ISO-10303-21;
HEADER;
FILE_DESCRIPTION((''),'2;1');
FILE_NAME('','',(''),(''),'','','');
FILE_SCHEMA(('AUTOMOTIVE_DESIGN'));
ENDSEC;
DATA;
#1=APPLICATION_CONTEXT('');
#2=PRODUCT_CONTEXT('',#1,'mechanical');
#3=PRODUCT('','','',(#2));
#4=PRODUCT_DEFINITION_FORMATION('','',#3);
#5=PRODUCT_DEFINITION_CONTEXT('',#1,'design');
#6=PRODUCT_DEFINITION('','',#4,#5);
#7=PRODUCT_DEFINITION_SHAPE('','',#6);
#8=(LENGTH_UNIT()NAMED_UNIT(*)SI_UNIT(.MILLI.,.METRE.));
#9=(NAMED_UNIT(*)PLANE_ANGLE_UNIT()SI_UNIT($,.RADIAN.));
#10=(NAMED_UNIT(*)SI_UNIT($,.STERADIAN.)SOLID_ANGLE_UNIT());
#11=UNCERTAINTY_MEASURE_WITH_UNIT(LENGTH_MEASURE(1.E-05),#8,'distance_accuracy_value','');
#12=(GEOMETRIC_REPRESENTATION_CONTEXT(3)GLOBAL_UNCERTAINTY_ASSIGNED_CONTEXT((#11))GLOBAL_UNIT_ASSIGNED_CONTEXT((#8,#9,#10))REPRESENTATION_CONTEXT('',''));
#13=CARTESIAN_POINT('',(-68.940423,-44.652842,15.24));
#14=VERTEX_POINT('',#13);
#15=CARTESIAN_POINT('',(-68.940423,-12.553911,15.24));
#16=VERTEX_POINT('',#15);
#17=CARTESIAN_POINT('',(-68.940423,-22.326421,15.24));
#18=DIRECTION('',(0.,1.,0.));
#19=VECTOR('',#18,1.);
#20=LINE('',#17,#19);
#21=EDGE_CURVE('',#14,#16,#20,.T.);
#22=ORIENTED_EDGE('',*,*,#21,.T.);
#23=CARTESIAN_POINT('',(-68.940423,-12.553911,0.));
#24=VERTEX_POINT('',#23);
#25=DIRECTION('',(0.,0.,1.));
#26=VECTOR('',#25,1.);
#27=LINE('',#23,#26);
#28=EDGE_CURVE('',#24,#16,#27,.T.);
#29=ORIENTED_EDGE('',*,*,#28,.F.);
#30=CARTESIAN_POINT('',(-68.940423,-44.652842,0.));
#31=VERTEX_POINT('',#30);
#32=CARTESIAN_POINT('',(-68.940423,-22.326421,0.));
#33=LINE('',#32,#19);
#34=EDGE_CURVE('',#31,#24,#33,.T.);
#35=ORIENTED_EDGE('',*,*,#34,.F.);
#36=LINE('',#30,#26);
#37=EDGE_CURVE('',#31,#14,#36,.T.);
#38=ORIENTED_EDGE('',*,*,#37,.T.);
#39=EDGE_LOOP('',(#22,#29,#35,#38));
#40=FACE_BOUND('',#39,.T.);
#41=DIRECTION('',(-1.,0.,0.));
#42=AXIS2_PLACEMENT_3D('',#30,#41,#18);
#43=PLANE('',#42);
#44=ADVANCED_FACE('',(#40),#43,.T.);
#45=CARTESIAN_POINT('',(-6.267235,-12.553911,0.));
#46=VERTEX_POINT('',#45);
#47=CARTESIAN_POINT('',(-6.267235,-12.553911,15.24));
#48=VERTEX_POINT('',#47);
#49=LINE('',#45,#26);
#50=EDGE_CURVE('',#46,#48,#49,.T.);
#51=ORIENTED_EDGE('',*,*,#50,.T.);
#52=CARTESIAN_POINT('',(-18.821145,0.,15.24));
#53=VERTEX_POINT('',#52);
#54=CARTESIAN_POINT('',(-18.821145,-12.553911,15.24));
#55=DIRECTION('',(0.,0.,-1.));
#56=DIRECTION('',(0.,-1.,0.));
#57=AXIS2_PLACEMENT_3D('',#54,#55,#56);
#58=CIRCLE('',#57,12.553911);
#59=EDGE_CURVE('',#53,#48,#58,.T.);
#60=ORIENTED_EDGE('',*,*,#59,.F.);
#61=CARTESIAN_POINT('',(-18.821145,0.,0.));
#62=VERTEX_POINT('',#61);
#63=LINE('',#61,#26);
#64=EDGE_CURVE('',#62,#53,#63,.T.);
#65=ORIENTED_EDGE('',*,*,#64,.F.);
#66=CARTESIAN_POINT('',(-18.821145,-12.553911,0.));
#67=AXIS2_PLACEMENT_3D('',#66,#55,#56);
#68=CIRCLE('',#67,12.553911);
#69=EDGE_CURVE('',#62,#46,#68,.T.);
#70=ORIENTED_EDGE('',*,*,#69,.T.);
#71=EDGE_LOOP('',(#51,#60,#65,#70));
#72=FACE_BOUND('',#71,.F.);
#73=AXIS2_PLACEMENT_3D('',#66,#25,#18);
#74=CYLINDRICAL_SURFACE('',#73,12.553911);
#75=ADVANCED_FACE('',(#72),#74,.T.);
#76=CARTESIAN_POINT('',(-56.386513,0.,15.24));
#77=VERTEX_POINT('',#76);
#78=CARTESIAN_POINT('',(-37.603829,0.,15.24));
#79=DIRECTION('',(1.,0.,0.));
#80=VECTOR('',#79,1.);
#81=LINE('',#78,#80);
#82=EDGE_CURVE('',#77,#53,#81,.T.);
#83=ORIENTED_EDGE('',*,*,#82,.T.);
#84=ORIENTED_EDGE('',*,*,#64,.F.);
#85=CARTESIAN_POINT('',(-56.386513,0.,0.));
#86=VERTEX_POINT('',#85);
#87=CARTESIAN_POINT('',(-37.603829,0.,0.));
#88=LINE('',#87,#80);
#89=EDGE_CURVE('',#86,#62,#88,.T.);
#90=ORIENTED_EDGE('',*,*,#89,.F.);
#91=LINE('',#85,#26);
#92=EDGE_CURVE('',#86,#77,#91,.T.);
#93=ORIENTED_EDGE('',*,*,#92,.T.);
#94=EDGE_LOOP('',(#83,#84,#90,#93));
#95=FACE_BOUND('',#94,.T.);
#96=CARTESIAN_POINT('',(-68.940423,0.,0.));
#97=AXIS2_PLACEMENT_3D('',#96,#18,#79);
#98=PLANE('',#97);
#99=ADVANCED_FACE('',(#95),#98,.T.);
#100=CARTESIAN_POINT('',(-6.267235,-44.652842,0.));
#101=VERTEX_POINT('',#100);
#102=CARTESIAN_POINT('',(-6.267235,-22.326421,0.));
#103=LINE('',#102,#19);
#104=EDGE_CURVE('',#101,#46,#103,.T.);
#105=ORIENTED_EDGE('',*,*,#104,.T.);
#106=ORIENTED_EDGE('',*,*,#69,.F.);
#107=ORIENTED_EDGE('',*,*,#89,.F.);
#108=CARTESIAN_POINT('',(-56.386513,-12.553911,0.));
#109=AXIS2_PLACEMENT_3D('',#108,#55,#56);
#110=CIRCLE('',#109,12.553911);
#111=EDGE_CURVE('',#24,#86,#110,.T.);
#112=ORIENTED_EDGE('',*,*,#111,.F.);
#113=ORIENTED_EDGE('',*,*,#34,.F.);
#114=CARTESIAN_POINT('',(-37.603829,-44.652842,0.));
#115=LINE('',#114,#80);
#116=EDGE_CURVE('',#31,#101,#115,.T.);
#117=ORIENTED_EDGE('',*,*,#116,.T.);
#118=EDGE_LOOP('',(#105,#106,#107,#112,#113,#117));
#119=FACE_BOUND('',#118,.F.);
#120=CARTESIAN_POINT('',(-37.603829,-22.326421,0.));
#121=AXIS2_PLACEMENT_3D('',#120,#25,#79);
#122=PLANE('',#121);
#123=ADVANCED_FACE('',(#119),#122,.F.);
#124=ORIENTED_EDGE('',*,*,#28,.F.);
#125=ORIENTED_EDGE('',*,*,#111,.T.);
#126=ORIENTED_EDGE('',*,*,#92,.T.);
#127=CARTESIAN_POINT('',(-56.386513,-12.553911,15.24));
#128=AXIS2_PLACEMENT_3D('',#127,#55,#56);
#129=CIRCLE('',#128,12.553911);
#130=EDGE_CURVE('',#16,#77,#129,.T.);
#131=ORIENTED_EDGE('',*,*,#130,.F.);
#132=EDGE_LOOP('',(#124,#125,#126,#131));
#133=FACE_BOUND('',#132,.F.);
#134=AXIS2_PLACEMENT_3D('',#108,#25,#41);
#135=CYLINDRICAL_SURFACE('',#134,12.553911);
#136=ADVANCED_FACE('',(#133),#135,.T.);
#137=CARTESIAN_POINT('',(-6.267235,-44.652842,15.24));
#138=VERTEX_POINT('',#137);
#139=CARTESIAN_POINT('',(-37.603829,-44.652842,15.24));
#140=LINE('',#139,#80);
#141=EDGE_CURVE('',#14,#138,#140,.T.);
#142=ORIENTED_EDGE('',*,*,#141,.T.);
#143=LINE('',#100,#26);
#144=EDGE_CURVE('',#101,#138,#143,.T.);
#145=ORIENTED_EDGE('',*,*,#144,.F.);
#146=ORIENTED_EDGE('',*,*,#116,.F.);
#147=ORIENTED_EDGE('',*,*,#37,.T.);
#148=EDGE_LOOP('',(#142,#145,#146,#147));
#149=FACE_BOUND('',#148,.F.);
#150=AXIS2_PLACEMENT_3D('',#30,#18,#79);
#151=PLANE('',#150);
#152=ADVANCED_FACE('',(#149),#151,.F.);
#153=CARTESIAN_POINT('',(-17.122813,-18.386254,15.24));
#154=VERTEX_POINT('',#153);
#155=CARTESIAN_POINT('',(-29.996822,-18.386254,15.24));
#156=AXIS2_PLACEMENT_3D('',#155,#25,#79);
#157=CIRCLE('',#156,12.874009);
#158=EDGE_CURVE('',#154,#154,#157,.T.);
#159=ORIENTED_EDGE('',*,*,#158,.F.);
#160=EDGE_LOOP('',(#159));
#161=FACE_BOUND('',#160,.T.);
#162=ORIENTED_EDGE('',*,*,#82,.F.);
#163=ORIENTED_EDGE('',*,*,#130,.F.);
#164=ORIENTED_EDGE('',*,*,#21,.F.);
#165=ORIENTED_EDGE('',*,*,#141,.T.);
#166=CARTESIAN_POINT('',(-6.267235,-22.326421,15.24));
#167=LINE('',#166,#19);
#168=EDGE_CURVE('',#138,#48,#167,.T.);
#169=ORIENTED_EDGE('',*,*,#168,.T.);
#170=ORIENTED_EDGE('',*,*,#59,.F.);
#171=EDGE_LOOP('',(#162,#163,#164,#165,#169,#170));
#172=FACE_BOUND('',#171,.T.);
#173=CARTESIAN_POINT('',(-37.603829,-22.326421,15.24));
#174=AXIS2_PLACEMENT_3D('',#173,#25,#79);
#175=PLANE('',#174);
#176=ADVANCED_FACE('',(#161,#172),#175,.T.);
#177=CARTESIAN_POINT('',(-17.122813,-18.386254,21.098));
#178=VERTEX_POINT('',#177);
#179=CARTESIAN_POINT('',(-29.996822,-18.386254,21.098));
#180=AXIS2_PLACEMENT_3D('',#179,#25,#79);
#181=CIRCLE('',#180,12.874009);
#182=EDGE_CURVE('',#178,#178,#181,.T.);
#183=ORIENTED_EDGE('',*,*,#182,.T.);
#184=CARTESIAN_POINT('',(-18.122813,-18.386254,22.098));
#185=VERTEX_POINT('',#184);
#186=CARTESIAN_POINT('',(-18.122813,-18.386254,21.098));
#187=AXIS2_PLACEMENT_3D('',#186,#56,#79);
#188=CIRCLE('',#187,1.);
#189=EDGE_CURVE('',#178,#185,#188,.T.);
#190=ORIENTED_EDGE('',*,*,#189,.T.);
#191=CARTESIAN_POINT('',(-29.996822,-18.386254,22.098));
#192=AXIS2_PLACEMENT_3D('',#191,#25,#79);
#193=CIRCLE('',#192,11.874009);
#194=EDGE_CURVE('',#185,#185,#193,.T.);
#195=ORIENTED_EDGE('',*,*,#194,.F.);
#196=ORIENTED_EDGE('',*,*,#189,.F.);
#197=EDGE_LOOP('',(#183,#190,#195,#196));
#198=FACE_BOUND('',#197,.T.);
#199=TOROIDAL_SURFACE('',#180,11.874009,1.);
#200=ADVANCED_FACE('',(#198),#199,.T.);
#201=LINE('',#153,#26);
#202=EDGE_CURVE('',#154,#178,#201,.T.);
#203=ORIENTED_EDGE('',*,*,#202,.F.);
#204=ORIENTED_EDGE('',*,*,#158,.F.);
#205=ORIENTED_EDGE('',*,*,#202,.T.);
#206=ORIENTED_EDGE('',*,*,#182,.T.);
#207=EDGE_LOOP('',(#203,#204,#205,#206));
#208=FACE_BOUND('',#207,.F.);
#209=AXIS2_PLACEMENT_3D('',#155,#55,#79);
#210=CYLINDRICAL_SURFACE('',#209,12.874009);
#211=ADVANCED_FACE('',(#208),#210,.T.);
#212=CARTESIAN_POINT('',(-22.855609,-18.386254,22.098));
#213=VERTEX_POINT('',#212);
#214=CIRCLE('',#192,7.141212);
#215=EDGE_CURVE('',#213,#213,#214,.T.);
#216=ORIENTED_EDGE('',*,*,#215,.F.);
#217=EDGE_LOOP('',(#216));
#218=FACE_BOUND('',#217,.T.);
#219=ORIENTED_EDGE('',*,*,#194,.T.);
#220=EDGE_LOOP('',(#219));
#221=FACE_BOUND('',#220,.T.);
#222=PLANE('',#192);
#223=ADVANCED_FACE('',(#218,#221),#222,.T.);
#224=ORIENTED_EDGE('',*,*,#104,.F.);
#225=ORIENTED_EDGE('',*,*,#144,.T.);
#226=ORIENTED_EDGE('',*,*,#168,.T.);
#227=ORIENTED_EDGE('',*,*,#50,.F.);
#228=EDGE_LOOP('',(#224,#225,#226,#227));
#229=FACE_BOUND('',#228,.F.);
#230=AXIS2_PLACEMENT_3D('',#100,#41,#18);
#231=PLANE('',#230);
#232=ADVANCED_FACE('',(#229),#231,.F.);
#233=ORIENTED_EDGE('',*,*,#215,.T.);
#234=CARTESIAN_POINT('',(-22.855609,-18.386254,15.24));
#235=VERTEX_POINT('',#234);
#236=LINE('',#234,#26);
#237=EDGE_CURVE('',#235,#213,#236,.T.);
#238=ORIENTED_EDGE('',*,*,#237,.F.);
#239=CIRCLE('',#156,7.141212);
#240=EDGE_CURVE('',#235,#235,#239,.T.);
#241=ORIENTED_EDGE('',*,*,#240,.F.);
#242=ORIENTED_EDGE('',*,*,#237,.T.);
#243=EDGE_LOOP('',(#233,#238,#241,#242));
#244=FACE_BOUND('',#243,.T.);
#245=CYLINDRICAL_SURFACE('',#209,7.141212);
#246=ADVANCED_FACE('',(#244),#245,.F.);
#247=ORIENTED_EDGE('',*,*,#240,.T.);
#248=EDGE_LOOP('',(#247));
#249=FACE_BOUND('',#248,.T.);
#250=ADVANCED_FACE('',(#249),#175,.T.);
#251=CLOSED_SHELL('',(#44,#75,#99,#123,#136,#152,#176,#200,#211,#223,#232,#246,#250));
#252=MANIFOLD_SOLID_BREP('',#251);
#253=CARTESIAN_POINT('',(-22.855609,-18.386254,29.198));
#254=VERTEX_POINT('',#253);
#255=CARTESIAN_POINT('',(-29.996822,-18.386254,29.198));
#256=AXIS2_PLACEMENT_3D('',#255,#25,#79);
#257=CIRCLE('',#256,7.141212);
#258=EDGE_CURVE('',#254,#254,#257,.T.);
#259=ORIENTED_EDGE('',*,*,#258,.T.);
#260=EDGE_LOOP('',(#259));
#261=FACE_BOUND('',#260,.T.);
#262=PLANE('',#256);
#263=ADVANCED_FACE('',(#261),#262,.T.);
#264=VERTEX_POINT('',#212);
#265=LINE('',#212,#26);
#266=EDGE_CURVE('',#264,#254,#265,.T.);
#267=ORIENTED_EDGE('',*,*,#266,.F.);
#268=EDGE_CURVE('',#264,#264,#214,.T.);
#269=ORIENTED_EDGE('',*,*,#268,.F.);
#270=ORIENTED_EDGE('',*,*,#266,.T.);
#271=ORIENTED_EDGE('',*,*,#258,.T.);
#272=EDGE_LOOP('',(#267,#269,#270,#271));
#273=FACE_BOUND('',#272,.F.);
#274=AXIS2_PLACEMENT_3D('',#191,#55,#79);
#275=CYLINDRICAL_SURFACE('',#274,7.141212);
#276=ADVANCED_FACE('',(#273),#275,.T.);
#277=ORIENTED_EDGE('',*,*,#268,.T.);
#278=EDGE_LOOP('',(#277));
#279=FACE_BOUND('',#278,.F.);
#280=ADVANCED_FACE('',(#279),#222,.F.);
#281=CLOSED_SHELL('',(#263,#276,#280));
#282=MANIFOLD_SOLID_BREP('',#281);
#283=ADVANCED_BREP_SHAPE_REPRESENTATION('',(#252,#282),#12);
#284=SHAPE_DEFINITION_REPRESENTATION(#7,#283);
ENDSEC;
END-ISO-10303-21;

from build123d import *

# Parameters (mm, degrees)
F0_W     = 62.673188746
F0_H     = 44.6528419852
F2_DEPTH = 15.24
F5_R     = 12.8740091113
F5_R_2   = 7.1412124382
F6_DEPTH = 6.858
F7_R     = 1
F8_R     = 7.1412124382
F9_DEPTH = 7.1
F10_R    = 12.5539105243


with BuildPart() as f2:
    # F0 (on Top) → F2 (new body)
    with BuildSketch(Plane.XY):
        with Locations((-37.603829056, -22.3264209926)):
            Rectangle(F0_W, F0_H)
    extrude(amount=F2_DEPTH)

    # F5 (on face) → F6 (join)
    with BuildSketch(Plane.XY.offset(15.24)):
        with Locations((-29.9968216568, -18.3862540871)):
            Circle(F5_R)
        with Locations((-29.9968216568, -18.3862540871)):
            Circle(F5_R_2, mode=Mode.SUBTRACT)
    extrude(amount=F6_DEPTH)

    # F7
    f7_edges = [f2.edges().sort_by_distance(p)[0] for p in [
        (-42.870831, -18.386254, 22.098),
    ]]
    fillet(f7_edges, radius=F7_R)

    # F10
    f10_edges = [f2.edges().sort_by_distance(p)[0] for p in [
        (-68.940423, 0, 7.62),
        (-6.267235, 0, 7.62),
    ]]
    fillet(f10_edges, radius=F10_R)


with BuildPart() as f9:
    # F8 (on face) → F9 (new body)
    with BuildSketch(Plane.XY.offset(22.098)):
        with Locations((-29.9968216568, -18.3862540871)):
            Circle(F8_R)
    extrude(amount=F9_DEPTH)


solid = Compound([f2.part, f9.part])
